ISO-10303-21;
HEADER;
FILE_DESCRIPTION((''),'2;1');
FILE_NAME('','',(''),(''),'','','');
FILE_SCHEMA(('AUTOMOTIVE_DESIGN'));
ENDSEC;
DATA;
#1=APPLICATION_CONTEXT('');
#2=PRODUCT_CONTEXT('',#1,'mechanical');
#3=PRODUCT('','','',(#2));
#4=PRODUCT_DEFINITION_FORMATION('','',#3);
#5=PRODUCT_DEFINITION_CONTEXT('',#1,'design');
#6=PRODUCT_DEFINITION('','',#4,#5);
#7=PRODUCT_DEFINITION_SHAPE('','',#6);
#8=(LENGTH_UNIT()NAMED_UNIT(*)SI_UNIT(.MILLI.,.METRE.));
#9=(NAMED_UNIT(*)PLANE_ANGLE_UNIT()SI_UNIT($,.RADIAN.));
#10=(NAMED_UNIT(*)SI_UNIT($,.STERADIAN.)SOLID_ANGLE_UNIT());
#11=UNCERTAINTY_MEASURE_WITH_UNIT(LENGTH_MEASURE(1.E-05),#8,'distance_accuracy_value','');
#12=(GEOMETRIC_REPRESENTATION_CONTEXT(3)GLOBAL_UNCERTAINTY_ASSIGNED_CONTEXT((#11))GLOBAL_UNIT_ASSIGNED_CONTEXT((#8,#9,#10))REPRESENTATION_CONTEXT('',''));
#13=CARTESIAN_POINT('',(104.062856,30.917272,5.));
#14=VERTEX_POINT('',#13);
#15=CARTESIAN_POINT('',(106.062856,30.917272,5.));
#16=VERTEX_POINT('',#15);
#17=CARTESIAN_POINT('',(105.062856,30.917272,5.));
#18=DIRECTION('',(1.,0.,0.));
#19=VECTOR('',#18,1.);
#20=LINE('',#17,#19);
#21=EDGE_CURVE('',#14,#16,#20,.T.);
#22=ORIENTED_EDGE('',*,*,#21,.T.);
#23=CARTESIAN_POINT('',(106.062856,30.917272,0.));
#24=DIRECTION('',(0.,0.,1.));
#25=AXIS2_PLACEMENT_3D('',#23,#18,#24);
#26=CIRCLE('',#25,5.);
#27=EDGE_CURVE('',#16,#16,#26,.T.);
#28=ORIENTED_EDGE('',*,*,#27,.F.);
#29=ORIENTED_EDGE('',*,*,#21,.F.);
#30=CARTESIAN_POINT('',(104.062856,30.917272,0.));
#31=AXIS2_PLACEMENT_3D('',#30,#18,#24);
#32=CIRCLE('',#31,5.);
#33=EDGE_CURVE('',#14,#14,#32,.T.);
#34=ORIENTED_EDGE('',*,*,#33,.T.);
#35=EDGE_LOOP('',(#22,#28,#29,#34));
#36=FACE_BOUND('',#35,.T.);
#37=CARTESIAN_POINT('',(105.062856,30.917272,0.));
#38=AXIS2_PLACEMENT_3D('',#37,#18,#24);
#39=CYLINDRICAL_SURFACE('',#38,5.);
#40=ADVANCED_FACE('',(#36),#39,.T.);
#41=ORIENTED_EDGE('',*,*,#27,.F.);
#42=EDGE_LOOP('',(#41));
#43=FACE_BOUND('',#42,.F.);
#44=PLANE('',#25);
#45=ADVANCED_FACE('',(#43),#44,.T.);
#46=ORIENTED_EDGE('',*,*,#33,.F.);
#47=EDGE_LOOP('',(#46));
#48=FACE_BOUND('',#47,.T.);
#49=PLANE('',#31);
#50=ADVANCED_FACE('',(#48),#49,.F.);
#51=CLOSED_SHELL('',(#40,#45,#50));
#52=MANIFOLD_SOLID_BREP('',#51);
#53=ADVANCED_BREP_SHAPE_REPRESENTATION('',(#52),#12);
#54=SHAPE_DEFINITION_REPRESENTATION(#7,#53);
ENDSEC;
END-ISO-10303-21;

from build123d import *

# Parameters (mm, degrees)
SKETCH_1_W = 2
SKETCH_1_H = 5


with BuildPart() as part:
    # 草图1 → 旋转1 (revolve)
    with BuildSketch(Plane.XY, mode=Mode.PRIVATE) as revolve_1_sk:
        with Locations((105.062856197, 33.41727174)):
            Rectangle(SKETCH_1_W, SKETCH_1_H)
    revolve(revolve_1_sk.sketch.rotate(Axis((101.600320797, 30.91727174, 0), (1, 0, 0)), 90), axis=Axis((101.600320797, 30.91727174, 0), (1, 0, 0)))  # turned: the seam where the file's is


solid = part.part
